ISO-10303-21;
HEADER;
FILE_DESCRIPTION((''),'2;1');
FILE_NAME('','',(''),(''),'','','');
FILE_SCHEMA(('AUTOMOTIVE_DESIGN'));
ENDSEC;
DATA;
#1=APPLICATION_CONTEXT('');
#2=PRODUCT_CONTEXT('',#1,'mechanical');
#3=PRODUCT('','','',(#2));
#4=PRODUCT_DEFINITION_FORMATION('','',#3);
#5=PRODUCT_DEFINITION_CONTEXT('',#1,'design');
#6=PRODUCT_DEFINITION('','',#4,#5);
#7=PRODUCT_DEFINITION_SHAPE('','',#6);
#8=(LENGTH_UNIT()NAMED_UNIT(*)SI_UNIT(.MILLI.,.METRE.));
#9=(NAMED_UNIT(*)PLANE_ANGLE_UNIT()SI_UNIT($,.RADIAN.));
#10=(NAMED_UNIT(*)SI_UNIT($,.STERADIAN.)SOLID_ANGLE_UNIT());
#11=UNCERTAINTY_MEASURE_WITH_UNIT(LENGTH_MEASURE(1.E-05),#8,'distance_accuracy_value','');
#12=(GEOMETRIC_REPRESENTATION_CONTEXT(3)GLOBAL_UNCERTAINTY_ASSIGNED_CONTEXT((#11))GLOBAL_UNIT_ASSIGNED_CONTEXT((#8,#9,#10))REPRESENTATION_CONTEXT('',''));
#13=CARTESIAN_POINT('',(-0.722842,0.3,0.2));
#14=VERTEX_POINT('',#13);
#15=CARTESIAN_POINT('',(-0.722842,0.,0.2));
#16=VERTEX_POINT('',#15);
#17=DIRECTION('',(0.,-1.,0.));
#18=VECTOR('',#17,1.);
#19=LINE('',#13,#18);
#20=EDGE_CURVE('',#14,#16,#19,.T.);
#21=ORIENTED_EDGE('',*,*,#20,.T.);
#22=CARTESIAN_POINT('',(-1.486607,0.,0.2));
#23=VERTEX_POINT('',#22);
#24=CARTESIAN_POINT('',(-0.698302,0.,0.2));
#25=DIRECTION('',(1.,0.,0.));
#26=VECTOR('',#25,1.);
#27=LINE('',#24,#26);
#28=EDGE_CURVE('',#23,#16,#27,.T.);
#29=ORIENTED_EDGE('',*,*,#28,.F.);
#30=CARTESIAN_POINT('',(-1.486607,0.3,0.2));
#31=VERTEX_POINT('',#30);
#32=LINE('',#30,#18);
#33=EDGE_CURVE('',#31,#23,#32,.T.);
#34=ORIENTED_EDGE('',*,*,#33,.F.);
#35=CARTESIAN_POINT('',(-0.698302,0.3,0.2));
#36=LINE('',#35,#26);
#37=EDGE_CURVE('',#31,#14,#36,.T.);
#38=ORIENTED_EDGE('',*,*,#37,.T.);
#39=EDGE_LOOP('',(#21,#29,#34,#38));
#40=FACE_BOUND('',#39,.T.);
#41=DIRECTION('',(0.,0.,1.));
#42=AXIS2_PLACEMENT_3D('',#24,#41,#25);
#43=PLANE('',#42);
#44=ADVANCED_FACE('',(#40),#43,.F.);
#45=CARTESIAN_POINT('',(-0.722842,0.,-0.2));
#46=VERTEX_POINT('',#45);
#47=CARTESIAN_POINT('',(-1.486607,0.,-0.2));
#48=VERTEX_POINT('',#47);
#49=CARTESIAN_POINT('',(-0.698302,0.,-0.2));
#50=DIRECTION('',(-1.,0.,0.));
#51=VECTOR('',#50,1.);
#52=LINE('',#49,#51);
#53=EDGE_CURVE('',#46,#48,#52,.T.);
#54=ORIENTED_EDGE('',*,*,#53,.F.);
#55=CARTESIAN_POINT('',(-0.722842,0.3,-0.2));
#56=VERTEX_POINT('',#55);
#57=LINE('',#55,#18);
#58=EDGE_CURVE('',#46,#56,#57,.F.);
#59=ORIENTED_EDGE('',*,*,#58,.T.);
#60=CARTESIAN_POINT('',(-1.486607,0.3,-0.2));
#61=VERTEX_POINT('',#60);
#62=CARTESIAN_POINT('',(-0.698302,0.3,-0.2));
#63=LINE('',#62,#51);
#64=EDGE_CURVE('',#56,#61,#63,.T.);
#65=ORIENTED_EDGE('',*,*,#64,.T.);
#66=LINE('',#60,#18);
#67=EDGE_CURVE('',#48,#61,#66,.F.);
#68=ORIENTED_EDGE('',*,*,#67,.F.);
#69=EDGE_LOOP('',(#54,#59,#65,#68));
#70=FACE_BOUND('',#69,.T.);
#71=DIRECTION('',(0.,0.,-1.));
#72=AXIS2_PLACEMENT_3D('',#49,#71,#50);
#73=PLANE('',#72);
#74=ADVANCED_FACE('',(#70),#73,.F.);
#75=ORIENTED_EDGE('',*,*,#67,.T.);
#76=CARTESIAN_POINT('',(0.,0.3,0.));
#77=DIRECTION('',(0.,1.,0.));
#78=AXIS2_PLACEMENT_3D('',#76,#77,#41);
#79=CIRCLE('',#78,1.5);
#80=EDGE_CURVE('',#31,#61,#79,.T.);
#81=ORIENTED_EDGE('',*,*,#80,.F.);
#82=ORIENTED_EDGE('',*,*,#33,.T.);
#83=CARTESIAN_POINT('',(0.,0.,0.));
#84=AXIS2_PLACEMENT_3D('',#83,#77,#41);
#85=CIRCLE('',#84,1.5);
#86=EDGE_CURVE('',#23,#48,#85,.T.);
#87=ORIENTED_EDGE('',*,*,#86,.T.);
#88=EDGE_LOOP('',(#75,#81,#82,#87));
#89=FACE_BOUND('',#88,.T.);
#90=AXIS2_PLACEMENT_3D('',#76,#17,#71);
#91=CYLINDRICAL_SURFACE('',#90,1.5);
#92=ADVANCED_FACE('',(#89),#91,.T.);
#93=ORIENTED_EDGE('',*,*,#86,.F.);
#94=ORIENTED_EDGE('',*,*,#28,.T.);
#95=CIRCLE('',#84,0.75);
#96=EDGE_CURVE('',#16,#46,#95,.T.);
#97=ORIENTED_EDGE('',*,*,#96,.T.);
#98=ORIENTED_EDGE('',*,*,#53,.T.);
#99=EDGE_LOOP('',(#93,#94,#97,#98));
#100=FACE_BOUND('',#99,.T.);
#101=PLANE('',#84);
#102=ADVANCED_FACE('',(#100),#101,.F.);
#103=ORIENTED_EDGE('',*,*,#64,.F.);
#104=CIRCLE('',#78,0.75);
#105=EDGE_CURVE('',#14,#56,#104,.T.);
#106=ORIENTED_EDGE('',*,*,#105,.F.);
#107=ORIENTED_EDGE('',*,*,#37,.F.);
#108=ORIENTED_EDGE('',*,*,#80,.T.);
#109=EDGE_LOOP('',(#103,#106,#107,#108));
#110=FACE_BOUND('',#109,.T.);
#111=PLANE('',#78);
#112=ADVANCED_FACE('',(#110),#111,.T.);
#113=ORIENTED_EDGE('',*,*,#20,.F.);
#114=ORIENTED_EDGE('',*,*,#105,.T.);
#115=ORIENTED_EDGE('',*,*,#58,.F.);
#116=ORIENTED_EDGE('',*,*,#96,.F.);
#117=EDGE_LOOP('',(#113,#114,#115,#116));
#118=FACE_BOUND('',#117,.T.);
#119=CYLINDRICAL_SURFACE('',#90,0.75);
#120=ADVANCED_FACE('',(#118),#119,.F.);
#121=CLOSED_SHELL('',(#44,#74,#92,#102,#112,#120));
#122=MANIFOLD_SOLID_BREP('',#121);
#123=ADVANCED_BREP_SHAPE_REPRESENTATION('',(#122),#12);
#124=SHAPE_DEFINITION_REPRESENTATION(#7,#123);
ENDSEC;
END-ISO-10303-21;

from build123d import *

# Parameters (mm, degrees)
SKETCH2_R           = 1.5
SKETCH2_R_2         = 0.75
BOSS_EXTRUDE1_DEPTH = 0.3
SKETCH3_W           = 1.187579266
SKETCH3_H           = 0.4
CUT_EXTRUDE1_DEPTH  = 0.3


with BuildPart() as part:
    # Sketch2 → Boss-Extrude1 (new body)
    with BuildSketch(Plane(origin=(0, 0, 0), x_dir=(1, 0, 0), z_dir=(0, 1, 0))):
        with Locations(Location((0, 0, 0), (0, 0, 270))):
            Circle(SKETCH2_R)
        with Locations(Location((0, 0, 0), (0, 0, 270))):
            Circle(SKETCH2_R_2, mode=Mode.SUBTRACT)
    extrude(amount=BOSS_EXTRUDE1_DEPTH)

    # Sketch3 → Cut-Extrude1 (cut)
    with BuildSketch(Plane(origin=(0, 0.3, 0), x_dir=(1, 0, 0), z_dir=(0, 1, 0))):
        with Locations((-1.292091921, 0)):
            Rectangle(SKETCH3_W, SKETCH3_H)
    extrude(amount=-CUT_EXTRUDE1_DEPTH, mode=Mode.SUBTRACT)


solid = part.part
